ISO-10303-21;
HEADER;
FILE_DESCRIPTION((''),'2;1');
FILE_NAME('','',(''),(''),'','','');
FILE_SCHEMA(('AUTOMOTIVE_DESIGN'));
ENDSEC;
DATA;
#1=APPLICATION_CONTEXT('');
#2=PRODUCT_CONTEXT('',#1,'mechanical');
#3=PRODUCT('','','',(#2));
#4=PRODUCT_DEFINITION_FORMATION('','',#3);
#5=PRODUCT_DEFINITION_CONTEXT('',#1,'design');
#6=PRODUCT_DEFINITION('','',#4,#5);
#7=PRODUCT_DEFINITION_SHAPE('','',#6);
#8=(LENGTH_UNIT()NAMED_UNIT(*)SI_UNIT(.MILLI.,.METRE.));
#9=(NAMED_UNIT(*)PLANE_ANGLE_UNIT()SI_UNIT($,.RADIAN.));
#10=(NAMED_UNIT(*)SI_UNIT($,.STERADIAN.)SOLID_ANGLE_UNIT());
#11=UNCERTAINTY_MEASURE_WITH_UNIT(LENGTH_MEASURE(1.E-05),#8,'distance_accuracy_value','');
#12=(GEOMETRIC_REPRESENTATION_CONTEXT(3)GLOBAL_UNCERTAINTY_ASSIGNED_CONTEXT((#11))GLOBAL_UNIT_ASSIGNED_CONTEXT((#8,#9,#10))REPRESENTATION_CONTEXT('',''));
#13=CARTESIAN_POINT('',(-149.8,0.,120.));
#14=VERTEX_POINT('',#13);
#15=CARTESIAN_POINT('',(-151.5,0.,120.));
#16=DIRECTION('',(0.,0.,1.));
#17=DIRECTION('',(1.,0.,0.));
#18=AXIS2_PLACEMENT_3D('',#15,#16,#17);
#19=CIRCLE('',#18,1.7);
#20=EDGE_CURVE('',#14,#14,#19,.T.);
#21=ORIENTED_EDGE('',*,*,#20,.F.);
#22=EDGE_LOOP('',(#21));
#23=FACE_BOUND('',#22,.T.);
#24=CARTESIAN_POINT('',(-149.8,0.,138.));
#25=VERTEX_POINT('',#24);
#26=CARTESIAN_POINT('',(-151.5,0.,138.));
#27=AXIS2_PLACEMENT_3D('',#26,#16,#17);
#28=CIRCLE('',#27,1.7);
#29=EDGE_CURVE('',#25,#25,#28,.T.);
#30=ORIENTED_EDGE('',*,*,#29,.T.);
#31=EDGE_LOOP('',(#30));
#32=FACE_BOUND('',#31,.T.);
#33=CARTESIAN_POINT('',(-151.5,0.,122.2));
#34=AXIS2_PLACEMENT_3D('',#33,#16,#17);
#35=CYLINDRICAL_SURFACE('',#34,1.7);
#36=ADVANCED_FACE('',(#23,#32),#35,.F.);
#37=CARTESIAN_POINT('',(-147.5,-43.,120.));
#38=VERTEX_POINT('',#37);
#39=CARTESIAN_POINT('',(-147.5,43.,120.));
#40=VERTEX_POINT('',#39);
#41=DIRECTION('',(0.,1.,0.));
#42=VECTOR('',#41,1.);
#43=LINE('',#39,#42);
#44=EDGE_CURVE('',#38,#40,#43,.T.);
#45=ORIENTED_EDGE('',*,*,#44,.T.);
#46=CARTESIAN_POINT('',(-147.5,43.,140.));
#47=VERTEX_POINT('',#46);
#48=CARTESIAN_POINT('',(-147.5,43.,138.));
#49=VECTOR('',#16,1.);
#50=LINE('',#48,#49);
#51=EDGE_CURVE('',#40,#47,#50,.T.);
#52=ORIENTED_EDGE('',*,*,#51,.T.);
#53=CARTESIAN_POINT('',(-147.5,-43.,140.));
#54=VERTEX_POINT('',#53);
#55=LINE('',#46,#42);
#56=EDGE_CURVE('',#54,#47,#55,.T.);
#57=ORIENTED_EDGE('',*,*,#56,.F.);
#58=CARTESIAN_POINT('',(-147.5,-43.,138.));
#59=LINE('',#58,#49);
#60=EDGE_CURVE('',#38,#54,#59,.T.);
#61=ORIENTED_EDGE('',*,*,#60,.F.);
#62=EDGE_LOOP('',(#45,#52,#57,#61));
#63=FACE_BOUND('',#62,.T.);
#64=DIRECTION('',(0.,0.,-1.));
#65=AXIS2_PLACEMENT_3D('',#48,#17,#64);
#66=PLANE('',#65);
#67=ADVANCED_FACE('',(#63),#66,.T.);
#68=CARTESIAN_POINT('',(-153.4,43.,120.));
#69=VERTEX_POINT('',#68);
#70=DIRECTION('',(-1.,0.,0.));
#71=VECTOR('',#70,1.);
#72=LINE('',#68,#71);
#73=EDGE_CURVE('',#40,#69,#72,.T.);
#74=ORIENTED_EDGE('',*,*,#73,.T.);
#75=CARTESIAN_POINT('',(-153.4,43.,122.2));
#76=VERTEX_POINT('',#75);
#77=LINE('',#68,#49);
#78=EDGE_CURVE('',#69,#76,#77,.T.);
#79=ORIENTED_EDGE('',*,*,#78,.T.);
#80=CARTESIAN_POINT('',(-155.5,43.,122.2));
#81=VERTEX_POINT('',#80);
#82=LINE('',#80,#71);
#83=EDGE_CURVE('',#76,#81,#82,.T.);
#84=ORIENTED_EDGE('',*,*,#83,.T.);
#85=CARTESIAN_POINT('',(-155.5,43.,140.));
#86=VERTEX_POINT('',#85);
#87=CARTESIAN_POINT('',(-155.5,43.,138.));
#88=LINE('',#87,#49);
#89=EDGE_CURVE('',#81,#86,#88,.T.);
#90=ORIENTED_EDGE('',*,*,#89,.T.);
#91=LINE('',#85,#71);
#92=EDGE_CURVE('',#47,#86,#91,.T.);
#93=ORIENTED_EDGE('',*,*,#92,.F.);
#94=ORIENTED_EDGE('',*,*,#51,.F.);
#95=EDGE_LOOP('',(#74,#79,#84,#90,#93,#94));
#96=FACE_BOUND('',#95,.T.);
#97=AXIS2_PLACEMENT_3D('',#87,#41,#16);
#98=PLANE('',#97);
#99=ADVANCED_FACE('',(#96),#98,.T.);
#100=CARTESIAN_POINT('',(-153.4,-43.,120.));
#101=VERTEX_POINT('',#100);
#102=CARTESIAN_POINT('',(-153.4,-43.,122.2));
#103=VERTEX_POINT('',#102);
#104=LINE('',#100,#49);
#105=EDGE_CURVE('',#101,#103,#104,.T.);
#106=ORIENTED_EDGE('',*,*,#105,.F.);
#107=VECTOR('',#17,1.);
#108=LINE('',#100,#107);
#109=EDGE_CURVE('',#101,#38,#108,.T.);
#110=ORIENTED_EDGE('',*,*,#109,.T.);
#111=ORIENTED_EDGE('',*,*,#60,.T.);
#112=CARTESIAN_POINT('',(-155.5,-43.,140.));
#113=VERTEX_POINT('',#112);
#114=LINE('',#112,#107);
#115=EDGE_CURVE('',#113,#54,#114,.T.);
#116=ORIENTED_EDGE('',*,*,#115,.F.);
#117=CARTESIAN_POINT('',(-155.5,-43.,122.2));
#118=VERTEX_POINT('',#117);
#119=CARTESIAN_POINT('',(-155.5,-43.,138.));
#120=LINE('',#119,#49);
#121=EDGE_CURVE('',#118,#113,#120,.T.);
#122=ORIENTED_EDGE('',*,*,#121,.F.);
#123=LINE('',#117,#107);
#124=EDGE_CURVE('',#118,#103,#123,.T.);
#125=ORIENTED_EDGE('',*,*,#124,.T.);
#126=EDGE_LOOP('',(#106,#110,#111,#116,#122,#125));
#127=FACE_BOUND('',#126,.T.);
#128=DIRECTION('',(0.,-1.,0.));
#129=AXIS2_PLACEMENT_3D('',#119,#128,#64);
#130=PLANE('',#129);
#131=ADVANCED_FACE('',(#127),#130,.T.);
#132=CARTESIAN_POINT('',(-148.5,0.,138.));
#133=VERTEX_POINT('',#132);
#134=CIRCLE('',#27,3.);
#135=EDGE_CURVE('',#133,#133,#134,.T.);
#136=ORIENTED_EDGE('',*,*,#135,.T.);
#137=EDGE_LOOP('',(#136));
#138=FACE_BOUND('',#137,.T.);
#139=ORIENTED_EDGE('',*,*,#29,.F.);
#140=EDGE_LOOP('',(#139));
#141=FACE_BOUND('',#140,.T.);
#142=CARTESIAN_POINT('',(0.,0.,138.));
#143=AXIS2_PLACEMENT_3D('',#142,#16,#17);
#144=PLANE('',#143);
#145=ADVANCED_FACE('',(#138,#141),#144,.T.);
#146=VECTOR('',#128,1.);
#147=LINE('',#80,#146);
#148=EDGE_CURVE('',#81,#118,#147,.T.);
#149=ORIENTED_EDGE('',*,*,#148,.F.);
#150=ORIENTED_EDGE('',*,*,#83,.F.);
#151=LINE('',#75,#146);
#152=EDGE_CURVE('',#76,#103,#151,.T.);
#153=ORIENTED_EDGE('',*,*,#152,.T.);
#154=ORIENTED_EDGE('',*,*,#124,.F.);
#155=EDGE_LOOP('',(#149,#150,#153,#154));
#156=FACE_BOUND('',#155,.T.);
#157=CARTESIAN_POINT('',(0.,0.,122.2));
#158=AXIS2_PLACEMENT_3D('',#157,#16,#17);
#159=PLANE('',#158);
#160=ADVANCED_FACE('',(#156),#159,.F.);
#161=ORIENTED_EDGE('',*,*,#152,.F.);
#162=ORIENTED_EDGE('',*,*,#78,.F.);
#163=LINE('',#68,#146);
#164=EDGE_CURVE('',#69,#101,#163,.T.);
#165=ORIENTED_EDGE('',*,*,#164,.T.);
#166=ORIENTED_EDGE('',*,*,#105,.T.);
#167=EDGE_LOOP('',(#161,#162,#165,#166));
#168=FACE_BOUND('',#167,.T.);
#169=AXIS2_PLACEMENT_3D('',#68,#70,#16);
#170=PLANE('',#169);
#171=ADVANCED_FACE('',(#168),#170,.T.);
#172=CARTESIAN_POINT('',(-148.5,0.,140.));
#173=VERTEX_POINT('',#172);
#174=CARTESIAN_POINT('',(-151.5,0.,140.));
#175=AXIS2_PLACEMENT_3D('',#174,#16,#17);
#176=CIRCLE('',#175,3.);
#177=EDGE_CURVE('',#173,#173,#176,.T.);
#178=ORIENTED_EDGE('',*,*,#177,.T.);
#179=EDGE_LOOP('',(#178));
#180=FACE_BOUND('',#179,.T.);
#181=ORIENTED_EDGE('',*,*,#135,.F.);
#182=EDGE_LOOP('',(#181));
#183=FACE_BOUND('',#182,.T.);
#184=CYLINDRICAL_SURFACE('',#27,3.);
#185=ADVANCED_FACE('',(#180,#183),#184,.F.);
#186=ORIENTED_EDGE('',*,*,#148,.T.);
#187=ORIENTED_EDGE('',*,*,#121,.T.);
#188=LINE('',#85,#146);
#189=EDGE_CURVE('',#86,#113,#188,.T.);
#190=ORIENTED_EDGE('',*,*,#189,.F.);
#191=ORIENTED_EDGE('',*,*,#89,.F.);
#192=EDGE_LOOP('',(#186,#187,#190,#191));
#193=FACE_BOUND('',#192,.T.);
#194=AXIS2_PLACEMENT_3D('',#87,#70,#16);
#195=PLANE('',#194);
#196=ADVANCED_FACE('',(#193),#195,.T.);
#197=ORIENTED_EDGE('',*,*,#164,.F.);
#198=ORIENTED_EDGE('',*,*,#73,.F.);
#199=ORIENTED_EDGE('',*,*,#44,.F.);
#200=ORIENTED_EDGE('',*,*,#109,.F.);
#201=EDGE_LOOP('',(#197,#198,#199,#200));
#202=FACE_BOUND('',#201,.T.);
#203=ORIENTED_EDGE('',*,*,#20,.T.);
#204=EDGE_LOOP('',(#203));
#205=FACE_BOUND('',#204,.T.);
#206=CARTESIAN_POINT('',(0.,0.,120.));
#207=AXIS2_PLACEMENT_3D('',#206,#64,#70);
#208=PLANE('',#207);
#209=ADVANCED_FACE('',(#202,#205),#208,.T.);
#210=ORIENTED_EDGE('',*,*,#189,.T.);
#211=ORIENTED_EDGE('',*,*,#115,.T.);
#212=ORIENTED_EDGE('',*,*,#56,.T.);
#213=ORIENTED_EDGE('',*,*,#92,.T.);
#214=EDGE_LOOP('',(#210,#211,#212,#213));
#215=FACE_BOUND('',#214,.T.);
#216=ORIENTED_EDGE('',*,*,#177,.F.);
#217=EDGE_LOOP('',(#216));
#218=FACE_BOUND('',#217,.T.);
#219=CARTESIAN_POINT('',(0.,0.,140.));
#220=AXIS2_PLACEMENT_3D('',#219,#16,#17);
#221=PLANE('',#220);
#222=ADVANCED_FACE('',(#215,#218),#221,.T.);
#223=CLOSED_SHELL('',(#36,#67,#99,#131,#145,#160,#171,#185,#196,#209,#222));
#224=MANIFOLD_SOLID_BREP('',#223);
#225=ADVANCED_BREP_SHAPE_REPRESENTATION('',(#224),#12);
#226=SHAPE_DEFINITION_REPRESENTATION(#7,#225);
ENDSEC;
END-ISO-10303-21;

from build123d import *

# Parameters (mm, degrees)
MAIN_PROFILE_SKETCH_W     = 8
MAIN_PROFILE_SKETCH_H     = 86
MAIN_PROFILE_SKETCH_R     = 3
MAIN_EXTRUSION_DEPTH      = 2
DETAIL_PROFILE_2_SKETCH_W = 8
DETAIL_PROFILE_2_SKETCH_H = 86
DETAIL_PROFILE_2_SKETCH_R = 1.7
DETAIL_EXTRUSION_2_DEPTH  = 15.8
DETAIL_PROFILE_3_SKETCH_W = 5.9
DETAIL_PROFILE_3_SKETCH_H = 86
DETAIL_PROFILE_3_SKETCH_R = 1.7
DETAIL_EXTRUSION_3_DEPTH  = 2.2


with BuildPart() as part:
    # Main Profile Sketch → Main Extrusion (new body)
    with BuildSketch(Plane.XY.offset(140)):
        with Locations((-151.5, 0)):
            Rectangle(MAIN_PROFILE_SKETCH_W, MAIN_PROFILE_SKETCH_H)
        with Locations((-151.5, 0)):
            Circle(MAIN_PROFILE_SKETCH_R, mode=Mode.SUBTRACT)
    extrude(amount=-MAIN_EXTRUSION_DEPTH)

    # Detail Profile 2 Sketch → Detail Extrusion 2 (add)
    with BuildSketch(Plane.XY.offset(138)):
        with Locations((-151.5, 0)):
            Rectangle(DETAIL_PROFILE_2_SKETCH_W, DETAIL_PROFILE_2_SKETCH_H)
        with Locations((-151.5, 0)):
            Circle(DETAIL_PROFILE_2_SKETCH_R, mode=Mode.SUBTRACT)
    extrude(amount=-DETAIL_EXTRUSION_2_DEPTH)

    # Detail Profile 3 Sketch → Detail Extrusion 3 (add)
    with BuildSketch(Plane.XY.offset(122.2)):
        with Locations((-150.45, 0)):
            Rectangle(DETAIL_PROFILE_3_SKETCH_W, DETAIL_PROFILE_3_SKETCH_H)
        with Locations((-151.5, 0)):
            Circle(DETAIL_PROFILE_3_SKETCH_R, mode=Mode.SUBTRACT)
    extrude(amount=-DETAIL_EXTRUSION_3_DEPTH)


solid = part.part
